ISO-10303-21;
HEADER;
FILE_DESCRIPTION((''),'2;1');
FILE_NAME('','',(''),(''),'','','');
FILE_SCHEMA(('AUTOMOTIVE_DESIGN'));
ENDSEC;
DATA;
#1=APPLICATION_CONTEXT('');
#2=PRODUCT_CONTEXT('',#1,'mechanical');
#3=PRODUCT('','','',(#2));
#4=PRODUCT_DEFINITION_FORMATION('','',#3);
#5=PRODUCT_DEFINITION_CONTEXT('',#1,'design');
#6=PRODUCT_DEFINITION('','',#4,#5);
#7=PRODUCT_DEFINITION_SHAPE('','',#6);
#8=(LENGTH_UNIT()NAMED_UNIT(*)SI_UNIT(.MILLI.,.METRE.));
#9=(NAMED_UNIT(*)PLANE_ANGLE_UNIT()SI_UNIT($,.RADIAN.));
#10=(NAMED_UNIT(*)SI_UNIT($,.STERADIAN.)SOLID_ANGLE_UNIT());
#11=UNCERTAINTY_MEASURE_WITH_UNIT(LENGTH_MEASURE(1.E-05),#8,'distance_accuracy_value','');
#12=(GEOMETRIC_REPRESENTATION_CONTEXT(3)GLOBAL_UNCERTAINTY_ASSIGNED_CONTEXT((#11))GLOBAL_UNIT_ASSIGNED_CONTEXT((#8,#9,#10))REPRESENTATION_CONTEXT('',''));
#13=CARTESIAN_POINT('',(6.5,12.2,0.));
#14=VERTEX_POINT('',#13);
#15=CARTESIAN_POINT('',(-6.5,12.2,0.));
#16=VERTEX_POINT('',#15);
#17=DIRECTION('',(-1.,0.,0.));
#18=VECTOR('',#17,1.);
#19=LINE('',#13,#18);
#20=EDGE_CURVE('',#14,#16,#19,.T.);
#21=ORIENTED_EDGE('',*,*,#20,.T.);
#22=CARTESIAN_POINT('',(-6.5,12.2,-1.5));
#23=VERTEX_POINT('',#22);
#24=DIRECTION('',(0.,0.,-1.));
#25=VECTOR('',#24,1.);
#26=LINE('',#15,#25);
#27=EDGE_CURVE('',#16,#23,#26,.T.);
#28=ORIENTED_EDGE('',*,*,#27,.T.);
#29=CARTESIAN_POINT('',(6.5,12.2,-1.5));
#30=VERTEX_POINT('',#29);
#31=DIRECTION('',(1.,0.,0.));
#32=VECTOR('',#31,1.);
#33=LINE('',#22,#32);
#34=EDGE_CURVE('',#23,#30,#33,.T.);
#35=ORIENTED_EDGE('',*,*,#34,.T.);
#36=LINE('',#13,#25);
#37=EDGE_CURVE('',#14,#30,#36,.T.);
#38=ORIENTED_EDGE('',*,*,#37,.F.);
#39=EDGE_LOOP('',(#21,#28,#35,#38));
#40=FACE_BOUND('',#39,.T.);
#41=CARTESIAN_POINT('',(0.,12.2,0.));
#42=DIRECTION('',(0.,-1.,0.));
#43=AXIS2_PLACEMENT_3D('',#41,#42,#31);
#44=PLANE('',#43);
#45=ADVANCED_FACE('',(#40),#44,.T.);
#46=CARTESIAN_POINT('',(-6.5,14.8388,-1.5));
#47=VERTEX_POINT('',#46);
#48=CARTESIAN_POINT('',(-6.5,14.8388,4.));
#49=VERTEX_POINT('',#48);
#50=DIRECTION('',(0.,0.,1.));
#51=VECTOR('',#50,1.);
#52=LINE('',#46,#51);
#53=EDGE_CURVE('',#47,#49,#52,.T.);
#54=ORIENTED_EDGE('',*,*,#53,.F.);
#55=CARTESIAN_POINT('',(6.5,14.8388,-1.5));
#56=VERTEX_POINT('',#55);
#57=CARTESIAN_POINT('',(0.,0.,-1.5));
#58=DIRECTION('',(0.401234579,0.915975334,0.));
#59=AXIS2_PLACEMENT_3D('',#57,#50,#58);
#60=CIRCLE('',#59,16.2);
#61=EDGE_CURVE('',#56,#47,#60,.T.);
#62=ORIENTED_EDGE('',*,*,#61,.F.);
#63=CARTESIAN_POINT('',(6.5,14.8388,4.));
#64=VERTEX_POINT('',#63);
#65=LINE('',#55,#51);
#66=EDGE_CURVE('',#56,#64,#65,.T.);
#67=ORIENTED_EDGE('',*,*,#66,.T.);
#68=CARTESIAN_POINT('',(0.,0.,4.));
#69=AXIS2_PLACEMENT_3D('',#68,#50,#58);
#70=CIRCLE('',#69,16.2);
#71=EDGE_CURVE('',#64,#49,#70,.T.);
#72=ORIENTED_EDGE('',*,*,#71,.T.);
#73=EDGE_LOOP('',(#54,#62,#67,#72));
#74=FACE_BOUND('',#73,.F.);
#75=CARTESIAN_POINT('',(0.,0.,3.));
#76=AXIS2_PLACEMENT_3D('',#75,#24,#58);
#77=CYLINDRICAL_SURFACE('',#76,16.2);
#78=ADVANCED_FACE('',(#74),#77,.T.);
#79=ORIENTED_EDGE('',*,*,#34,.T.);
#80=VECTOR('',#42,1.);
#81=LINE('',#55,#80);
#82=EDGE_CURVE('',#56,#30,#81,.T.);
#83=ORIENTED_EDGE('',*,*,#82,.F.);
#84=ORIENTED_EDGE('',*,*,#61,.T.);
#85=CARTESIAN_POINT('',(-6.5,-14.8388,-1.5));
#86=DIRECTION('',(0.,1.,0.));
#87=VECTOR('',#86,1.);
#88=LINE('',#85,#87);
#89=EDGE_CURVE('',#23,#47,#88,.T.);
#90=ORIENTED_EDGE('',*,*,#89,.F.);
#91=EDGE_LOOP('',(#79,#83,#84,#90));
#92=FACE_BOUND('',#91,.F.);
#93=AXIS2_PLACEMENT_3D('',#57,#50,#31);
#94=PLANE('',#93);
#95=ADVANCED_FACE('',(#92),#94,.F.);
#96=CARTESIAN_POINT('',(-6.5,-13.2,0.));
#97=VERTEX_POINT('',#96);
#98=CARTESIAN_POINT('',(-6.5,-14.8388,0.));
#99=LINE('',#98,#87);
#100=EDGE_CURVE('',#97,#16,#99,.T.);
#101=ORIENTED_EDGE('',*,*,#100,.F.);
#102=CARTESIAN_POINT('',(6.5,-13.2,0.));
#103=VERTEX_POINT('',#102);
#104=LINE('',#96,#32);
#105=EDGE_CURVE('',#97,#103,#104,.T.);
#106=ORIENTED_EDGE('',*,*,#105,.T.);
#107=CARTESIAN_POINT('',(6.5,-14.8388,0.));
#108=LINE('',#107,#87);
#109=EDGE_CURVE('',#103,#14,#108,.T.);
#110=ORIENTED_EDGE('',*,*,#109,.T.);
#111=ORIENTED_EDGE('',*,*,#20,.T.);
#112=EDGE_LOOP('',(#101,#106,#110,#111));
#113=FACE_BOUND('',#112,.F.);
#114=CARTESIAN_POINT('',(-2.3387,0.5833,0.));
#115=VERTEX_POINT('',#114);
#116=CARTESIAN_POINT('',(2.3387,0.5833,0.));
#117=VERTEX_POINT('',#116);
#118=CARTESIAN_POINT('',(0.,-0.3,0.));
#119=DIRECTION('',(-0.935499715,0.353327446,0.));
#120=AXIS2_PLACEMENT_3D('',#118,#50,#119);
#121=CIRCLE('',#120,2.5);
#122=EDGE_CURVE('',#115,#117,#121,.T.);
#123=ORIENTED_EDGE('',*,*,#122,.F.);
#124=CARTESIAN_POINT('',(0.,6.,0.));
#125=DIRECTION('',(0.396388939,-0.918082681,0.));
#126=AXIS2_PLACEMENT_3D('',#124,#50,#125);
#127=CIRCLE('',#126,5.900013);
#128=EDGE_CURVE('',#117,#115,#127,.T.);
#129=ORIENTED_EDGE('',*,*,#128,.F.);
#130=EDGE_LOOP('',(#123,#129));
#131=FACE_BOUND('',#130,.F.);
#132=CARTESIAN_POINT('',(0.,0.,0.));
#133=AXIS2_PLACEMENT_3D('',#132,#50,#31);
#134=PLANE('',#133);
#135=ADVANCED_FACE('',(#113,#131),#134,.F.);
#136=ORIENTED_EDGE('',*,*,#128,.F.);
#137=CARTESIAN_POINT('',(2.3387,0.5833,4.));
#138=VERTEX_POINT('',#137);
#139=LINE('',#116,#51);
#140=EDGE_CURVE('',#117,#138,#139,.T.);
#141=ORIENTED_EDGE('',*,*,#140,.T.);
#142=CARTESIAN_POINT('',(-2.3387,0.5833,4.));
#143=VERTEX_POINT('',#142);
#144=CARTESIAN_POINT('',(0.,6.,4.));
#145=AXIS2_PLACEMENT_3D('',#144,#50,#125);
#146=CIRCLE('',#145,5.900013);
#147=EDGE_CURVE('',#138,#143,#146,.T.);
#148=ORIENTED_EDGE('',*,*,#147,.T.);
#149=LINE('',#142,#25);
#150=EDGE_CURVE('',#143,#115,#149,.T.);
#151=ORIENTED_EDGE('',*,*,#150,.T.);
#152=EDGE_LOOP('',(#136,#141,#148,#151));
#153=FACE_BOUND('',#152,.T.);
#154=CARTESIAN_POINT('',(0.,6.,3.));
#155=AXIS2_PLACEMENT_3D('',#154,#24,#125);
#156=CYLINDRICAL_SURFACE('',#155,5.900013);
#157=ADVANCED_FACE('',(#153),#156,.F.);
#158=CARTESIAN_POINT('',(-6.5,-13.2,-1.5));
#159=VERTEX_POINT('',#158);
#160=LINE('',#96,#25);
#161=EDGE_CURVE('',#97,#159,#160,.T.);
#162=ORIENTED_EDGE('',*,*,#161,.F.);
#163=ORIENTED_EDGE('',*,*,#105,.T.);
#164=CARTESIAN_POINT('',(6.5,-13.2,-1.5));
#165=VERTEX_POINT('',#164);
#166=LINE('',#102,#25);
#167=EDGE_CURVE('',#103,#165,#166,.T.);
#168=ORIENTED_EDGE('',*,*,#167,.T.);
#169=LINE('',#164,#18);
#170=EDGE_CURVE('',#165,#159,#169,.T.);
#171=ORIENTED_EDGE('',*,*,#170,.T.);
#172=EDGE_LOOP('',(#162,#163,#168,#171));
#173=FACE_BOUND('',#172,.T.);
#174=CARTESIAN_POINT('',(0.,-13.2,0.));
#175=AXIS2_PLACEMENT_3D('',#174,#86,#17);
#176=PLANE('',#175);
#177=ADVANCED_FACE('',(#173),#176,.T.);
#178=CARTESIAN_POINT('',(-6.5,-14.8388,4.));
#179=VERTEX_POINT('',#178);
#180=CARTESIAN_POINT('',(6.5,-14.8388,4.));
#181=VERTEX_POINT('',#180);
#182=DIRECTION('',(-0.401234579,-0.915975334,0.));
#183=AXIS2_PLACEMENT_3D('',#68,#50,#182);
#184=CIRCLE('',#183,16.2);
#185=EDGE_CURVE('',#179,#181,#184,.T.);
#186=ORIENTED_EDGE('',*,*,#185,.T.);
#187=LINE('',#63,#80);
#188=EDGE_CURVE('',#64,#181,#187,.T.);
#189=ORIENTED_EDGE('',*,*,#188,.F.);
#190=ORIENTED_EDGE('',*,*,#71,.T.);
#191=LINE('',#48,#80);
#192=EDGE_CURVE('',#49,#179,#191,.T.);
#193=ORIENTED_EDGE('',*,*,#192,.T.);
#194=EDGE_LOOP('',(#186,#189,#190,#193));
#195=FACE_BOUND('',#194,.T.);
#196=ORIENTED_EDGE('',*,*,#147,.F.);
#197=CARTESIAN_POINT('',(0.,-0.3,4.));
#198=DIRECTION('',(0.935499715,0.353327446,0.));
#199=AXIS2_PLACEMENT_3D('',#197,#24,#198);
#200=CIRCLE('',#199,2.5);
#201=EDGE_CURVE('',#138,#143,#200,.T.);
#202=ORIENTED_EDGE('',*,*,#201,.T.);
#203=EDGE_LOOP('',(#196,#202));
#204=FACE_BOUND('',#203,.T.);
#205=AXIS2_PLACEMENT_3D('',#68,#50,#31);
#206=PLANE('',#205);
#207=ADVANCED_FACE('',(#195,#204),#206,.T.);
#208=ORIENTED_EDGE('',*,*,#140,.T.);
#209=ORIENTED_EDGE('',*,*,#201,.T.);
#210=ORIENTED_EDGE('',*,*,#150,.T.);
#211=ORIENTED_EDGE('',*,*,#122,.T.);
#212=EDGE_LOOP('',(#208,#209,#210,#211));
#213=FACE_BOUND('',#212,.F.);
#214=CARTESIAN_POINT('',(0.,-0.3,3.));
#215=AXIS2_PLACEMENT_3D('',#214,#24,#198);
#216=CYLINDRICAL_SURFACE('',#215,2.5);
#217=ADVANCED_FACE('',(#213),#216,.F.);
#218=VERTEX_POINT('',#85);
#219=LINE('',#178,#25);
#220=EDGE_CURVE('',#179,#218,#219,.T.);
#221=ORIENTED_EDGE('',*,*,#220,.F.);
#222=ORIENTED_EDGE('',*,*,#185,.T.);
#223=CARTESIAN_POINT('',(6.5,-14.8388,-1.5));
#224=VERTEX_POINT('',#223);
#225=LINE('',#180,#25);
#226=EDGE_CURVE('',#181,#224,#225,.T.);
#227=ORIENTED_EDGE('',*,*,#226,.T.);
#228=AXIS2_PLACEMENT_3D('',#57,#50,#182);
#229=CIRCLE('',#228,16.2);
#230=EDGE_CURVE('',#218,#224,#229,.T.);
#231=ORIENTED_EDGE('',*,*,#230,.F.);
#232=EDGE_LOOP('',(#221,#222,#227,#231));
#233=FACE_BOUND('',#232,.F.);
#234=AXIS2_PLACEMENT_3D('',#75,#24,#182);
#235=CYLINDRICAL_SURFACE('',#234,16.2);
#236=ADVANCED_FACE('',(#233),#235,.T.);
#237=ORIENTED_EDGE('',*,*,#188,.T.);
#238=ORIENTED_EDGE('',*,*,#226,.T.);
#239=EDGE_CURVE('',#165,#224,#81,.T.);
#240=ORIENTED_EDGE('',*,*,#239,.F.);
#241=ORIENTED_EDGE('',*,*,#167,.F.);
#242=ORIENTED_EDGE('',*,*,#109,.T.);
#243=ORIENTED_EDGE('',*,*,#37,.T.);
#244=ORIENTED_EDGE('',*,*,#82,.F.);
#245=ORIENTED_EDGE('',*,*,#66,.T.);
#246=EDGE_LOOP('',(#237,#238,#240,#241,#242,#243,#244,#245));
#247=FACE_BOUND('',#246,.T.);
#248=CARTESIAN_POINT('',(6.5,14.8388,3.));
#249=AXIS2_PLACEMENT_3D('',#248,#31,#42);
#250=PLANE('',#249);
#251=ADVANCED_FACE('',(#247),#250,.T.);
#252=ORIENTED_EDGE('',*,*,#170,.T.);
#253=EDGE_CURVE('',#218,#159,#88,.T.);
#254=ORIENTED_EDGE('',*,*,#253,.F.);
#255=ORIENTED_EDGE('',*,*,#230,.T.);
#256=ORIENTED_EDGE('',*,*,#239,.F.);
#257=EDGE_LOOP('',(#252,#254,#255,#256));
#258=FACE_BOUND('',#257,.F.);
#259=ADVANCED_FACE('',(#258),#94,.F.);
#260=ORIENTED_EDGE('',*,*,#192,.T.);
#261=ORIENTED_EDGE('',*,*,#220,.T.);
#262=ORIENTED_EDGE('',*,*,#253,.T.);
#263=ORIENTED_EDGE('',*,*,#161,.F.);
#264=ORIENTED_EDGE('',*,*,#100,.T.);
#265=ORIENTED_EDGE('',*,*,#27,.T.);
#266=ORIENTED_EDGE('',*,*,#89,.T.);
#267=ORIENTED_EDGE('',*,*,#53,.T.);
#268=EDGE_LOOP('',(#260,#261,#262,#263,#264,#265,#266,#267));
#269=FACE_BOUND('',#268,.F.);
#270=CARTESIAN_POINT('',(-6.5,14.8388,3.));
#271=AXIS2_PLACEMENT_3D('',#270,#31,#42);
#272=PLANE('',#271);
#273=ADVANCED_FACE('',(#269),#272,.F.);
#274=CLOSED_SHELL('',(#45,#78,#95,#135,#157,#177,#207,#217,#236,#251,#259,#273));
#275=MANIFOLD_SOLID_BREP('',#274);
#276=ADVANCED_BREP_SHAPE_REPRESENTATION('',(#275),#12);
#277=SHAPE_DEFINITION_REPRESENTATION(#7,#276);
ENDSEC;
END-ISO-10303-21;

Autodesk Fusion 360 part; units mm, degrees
sketch "Sketch1" plane through (0, 0, 0) normal (0, 0, 1) x (1, 0, 0)
  line L0 (6.5, 14.8388) -> (6.5, -14.8388)
  line L1 (-6.5, -14.8388) -> (-6.5, 14.8388)
  line L2 (-6.5, 16.2) -> (6.5, -16.2) construction
  line L3 (6.5, 16.2) -> (-6.5, -16.2) construction
  arc A0 (-6.5, -14.8388) -> (6.5, -14.8388) centre (0, 0) ccw
  arc A1 (6.5, 14.8388) -> (-6.5, 14.8388) centre (0, 0) ccw
  line L4 (0, 0) -> (0, 6) construction
  circle A2 centre (0, -0.3) radius 2.5
  arc A3 (-0.0402, 0.1001) -> (0.0402, 0.1001) centre (0, 6) ccw
  arc A4 (2.3387, 0.5833) -> (-2.3387, 0.5833) centre (0, 6) ccw
  line L5 (0, 0) -> (0, -13.2) construction
  line L6 (0, -13.2) -> (6.5, -13.2)
  line L7 (0, -13.2) -> (-6.5, -13.2)
  line L8 (0, 16.2) -> (0, 12.2) construction
  line L9 (0, 12.2) -> (6.5, 12.2)
  line L10 (0, 12.2) -> (-6.5, 12.2)
  dimension "d1" = 32.4
  dimension "d2" = 13
  dimension "d3" = 32.4
  dimension "d4" = 6
  dimension "d5" = 11.8
  dimension "d6" = 5
  dimension "d9" = 13.2
  dimension "d10" = 4
extrude "Extrude1" add sketch "Sketch1" along normal blind 3
extrude "Extrude2" add sketch "Sketch1" against normal blind 1.5 contours L0 L1 A1 L9 L10 | L0 L1 A0 L6 L7
extrude "Extrude3" add 1 faces at (4.4187, -4.6534, 3) along direction (0, 0, 1) blind 1
